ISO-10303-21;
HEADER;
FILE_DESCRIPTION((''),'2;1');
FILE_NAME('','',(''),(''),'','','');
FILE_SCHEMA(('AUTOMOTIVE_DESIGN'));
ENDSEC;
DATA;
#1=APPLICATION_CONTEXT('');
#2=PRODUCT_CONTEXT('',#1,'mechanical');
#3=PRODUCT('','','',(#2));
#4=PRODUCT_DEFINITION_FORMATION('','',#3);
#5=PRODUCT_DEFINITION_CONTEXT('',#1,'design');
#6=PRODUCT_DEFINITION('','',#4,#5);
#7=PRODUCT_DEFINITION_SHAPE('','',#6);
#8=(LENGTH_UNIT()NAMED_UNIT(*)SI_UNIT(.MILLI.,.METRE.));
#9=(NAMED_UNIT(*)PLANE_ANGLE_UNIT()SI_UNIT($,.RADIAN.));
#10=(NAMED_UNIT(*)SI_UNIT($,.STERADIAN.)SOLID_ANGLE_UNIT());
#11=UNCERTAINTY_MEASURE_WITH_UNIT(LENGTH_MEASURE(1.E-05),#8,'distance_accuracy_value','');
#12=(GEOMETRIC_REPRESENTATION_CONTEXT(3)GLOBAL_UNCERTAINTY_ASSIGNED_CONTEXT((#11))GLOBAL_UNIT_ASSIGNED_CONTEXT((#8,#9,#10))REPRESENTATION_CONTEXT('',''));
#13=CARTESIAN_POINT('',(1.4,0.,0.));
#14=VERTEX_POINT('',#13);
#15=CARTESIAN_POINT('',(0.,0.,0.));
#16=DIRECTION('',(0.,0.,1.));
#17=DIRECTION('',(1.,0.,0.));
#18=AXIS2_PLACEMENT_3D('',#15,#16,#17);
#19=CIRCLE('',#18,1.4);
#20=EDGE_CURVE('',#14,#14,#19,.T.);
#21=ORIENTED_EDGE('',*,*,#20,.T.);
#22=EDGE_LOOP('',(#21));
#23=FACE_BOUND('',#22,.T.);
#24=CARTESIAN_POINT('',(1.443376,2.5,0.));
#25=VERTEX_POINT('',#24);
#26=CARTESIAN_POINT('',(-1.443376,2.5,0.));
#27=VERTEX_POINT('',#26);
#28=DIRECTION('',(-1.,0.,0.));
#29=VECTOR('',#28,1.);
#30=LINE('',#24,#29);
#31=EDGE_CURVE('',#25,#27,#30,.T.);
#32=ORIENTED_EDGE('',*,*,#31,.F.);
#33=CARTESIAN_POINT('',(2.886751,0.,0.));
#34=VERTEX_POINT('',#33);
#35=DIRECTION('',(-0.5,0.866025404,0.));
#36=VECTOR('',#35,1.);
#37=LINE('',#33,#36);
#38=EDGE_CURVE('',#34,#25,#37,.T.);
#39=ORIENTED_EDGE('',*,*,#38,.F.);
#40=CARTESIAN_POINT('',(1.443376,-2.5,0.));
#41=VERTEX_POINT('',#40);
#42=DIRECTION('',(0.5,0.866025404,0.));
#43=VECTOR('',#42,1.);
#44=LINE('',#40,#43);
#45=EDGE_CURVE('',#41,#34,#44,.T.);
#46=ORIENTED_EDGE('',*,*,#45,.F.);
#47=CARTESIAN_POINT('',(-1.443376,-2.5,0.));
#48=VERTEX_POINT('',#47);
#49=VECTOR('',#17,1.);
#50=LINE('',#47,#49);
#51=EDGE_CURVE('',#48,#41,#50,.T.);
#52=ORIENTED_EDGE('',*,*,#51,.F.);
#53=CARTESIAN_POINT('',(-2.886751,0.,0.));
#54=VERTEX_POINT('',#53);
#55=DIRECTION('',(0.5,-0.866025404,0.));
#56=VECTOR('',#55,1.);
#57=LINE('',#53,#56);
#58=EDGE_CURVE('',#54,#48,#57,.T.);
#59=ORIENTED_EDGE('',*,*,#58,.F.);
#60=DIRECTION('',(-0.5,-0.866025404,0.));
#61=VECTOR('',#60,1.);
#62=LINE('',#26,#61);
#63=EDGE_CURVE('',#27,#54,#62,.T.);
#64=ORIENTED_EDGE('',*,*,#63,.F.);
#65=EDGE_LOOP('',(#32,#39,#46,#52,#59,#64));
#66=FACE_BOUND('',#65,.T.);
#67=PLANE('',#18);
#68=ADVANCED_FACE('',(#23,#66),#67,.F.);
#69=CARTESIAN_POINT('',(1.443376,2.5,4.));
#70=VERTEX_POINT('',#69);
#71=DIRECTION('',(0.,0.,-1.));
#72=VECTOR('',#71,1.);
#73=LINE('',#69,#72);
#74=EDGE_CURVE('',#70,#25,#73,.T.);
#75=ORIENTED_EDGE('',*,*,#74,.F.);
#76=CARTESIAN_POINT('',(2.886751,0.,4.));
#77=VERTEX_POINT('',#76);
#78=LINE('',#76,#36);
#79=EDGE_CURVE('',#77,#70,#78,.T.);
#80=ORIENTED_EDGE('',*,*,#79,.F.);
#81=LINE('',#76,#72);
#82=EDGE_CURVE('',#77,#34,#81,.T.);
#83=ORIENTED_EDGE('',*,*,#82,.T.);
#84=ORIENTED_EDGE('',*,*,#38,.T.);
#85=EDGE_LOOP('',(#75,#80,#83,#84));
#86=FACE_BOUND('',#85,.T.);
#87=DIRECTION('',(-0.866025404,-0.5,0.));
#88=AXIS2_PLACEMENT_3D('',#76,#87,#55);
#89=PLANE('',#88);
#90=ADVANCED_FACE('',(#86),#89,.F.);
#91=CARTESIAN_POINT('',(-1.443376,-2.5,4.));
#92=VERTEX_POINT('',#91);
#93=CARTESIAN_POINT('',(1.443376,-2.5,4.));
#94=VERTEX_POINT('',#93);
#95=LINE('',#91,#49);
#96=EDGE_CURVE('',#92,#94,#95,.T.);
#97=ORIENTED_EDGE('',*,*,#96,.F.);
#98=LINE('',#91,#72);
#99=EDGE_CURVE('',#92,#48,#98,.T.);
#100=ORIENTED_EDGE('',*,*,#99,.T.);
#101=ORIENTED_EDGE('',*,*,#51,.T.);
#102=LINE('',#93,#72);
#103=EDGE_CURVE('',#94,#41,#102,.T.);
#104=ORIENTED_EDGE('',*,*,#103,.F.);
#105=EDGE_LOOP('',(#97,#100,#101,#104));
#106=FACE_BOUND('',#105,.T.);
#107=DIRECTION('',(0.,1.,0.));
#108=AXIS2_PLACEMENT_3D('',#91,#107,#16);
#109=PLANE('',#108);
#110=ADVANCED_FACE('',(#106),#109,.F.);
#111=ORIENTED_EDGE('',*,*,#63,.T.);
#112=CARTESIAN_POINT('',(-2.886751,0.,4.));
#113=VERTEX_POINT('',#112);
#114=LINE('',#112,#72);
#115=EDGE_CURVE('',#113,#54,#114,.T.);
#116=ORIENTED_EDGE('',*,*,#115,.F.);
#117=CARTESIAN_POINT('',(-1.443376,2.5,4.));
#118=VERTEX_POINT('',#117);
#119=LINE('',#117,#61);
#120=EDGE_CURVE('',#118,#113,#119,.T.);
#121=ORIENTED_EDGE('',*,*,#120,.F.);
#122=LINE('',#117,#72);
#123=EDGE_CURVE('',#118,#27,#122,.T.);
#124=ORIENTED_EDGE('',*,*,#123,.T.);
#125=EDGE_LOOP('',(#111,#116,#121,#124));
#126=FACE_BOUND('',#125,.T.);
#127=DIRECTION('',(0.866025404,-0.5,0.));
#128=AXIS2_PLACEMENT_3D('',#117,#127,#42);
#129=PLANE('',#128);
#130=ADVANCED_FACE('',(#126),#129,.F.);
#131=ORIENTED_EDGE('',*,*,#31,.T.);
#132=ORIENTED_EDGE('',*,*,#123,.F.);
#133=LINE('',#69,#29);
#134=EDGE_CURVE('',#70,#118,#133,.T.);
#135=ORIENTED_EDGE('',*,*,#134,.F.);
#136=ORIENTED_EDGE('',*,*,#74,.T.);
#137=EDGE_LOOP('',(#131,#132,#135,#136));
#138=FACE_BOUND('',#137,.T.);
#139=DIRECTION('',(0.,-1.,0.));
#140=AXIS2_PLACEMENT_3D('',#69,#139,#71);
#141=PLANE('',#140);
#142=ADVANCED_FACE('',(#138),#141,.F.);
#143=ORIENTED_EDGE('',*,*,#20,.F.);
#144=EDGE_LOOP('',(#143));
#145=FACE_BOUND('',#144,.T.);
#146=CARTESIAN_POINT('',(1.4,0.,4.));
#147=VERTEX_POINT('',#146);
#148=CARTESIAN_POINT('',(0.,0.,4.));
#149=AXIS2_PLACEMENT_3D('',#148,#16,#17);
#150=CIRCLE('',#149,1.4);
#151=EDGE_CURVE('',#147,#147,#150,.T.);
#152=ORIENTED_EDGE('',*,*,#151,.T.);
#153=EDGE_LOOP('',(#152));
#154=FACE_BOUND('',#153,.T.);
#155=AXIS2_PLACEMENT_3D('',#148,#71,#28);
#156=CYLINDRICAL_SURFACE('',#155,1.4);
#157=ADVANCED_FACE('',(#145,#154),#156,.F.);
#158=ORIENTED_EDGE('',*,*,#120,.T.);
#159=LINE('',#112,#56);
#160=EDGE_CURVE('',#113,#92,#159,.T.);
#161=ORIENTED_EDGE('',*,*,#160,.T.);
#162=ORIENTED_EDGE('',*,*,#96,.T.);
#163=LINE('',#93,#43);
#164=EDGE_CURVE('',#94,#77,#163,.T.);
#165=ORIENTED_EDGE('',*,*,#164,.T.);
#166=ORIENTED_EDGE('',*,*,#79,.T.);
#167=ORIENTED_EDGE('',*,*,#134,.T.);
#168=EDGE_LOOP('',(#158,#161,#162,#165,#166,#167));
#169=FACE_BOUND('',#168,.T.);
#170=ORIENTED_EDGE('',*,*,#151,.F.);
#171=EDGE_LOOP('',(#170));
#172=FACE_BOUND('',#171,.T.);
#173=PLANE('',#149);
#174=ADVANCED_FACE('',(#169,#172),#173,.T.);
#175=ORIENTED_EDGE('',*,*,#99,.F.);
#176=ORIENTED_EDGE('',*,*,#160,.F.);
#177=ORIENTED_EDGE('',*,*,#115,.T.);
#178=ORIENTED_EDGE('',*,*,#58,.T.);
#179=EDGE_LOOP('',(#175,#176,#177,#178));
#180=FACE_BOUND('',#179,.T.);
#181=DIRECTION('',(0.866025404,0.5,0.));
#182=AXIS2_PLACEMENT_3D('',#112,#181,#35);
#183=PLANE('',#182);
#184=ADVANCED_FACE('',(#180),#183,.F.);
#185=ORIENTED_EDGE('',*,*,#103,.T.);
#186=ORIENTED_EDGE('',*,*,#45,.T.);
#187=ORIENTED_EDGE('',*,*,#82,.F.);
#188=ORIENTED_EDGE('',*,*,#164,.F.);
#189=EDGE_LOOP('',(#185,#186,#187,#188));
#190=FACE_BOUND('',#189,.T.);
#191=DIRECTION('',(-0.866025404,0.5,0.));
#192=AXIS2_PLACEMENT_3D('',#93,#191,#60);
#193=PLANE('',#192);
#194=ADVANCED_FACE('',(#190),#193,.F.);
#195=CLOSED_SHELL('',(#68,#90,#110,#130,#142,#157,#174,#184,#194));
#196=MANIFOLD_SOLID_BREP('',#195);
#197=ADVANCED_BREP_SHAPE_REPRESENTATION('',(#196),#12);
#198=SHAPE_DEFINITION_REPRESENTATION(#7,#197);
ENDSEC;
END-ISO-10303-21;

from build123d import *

# Parameters (mm, degrees)
CROQUIS1_R              = 1.4
SALIENTE_EXTRUIR1_DEPTH = 4


with BuildPart() as part:
    # Croquis1 → Saliente-Extruir1 (new body)
    with BuildSketch(Plane.XY):
        Polygon((2.886751346, 0), (1.443375673, 2.5), (-1.443375673, 2.5), (-2.886751346, 0), (-1.443375673, -2.5), (1.443375673, -2.5), align=None)
        Circle(CROQUIS1_R, mode=Mode.SUBTRACT)
    extrude(amount=SALIENTE_EXTRUIR1_DEPTH)


solid = part.part
